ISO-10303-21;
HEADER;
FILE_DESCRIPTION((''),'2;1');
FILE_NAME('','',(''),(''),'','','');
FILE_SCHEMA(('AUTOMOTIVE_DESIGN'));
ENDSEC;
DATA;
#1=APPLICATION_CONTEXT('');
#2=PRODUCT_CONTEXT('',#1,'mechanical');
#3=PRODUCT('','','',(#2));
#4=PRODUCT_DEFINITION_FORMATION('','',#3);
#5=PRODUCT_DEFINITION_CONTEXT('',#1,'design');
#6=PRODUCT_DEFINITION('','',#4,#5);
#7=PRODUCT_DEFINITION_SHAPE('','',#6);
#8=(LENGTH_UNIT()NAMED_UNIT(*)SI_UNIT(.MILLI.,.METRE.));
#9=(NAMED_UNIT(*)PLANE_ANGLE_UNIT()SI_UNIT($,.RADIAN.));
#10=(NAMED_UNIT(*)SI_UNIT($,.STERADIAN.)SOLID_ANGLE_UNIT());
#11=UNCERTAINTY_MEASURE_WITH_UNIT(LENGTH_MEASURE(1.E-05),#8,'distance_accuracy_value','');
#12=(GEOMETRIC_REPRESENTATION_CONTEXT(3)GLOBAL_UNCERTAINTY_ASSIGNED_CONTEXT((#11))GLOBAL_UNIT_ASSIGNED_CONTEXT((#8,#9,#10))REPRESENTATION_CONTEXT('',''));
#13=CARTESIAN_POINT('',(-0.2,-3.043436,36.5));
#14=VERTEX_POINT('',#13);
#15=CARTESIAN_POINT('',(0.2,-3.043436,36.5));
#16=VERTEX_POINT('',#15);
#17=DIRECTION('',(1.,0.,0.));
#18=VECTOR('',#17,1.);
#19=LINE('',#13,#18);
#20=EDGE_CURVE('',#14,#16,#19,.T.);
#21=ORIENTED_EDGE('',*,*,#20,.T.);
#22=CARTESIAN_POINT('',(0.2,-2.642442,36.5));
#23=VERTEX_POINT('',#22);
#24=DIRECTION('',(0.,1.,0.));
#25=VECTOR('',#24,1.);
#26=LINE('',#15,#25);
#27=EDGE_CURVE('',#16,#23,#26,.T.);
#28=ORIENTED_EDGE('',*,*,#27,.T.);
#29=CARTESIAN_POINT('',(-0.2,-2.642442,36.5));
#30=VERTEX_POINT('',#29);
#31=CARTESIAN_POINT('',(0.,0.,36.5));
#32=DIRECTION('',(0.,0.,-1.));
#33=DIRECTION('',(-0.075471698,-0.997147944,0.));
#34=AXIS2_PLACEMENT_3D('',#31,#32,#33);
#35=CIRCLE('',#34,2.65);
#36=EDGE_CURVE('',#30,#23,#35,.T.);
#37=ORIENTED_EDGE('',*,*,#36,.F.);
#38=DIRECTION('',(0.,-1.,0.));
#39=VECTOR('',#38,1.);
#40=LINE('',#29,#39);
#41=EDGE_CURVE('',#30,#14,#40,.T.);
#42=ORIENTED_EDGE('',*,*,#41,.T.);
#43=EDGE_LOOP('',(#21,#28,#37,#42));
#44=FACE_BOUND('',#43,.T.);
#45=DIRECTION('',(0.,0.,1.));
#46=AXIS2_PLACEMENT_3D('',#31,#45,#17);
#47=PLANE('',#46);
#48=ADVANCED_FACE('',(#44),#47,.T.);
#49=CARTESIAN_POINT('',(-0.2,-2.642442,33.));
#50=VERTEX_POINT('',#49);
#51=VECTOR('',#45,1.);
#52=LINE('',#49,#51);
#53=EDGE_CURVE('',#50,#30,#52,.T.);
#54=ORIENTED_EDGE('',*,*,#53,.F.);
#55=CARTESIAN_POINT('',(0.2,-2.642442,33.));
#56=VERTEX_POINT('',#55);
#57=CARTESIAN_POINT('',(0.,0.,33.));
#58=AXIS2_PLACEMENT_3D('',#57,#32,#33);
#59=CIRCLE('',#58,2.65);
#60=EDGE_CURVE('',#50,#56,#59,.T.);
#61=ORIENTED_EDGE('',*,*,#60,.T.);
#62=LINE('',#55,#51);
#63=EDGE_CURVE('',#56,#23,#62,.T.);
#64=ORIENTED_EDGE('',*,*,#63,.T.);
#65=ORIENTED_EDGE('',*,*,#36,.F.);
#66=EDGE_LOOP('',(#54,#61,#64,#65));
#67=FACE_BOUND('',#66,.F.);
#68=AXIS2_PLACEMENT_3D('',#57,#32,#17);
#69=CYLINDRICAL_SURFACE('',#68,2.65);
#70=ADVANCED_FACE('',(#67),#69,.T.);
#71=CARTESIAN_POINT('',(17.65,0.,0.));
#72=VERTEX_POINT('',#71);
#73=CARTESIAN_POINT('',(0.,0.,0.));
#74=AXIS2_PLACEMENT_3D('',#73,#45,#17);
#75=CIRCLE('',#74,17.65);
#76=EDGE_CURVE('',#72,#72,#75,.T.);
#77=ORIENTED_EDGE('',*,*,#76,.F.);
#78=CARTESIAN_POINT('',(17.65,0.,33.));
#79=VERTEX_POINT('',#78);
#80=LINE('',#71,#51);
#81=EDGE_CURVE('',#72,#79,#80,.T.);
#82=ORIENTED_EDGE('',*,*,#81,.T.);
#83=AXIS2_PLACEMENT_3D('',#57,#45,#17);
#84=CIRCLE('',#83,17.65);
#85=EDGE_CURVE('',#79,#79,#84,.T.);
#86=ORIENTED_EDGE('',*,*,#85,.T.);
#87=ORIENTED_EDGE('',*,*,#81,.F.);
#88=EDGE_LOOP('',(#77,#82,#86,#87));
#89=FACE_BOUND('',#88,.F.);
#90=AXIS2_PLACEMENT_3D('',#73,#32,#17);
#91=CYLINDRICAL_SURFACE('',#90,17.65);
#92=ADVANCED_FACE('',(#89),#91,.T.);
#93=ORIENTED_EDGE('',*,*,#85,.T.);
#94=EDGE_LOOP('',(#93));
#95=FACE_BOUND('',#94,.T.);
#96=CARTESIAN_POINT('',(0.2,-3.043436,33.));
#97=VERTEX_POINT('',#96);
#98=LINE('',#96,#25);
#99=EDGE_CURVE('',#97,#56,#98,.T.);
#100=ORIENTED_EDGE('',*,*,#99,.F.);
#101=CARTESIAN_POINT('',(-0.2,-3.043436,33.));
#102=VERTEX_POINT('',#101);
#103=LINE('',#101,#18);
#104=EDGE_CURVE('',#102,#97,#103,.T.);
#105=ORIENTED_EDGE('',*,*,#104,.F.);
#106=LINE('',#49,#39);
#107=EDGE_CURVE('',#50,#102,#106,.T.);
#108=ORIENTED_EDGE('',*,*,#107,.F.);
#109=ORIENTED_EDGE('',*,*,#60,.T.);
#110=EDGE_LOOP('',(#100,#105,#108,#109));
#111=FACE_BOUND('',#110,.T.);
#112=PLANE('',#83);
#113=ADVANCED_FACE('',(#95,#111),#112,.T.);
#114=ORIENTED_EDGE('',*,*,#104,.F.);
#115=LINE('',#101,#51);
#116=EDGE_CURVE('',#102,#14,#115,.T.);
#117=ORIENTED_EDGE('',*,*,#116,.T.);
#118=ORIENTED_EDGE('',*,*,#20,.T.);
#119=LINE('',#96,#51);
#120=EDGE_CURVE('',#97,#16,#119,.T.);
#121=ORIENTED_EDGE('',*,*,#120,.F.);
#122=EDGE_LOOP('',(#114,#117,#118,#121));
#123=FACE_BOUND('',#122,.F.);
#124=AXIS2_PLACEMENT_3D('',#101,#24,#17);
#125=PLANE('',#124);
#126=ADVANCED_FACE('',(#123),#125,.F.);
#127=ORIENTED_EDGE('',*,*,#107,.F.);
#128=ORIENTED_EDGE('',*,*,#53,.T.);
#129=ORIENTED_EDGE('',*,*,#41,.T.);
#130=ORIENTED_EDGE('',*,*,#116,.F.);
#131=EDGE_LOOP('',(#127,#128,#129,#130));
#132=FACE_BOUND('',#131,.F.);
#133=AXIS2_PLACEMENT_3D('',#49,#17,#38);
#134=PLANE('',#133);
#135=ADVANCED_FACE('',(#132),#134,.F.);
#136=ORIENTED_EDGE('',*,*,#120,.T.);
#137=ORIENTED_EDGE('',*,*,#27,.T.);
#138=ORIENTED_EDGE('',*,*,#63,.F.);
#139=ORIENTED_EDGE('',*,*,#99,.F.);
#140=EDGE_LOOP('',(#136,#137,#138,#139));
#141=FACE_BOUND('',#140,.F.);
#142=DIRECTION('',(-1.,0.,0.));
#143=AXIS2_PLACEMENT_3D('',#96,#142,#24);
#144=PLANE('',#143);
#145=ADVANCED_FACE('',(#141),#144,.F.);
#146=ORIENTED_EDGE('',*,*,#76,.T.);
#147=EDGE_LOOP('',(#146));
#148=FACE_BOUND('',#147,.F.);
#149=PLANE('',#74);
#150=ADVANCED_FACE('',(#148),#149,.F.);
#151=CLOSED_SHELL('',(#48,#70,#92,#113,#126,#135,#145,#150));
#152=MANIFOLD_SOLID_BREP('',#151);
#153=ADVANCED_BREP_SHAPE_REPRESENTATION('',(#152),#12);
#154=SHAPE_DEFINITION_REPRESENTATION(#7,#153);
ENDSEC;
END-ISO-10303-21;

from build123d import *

# Parameters (mm, degrees)
F0_R     = 17.65
F1_DEPTH = 33
F2_R     = 2.65
F3_DEPTH = 3.5
F5_DEPTH = 3.5


with BuildPart() as f1:
    # F0 (on Top) → F1 (new body)
    with BuildSketch(Plane.XY):
        Circle(F0_R)
    extrude(amount=F1_DEPTH)

    # F2 (on face) → F3 (join)
    with BuildSketch(Plane.XY.offset(33)):
        Circle(F2_R)
    extrude(amount=F3_DEPTH)

    # F4 (on face) → F5 (join)
    with BuildSketch(Plane.XY.offset(33)):
        with BuildLine():
            ThreePointArc((0.2, -2.6424420523), (0, -2.65), (-0.2, -2.6424420523))
            Line((-0.2, -2.6424420523), (-0.2, -3.0434355587))
            Line((-0.2, -3.0434355587), (0, -3.0434355587))
            Line((0, -3.0434355587), (0.2, -3.0434355587))
            Line((0.2, -3.0434355587), (0.2, -2.6424420523))
        make_face()
    extrude(amount=F5_DEPTH)


solid = f1.part
